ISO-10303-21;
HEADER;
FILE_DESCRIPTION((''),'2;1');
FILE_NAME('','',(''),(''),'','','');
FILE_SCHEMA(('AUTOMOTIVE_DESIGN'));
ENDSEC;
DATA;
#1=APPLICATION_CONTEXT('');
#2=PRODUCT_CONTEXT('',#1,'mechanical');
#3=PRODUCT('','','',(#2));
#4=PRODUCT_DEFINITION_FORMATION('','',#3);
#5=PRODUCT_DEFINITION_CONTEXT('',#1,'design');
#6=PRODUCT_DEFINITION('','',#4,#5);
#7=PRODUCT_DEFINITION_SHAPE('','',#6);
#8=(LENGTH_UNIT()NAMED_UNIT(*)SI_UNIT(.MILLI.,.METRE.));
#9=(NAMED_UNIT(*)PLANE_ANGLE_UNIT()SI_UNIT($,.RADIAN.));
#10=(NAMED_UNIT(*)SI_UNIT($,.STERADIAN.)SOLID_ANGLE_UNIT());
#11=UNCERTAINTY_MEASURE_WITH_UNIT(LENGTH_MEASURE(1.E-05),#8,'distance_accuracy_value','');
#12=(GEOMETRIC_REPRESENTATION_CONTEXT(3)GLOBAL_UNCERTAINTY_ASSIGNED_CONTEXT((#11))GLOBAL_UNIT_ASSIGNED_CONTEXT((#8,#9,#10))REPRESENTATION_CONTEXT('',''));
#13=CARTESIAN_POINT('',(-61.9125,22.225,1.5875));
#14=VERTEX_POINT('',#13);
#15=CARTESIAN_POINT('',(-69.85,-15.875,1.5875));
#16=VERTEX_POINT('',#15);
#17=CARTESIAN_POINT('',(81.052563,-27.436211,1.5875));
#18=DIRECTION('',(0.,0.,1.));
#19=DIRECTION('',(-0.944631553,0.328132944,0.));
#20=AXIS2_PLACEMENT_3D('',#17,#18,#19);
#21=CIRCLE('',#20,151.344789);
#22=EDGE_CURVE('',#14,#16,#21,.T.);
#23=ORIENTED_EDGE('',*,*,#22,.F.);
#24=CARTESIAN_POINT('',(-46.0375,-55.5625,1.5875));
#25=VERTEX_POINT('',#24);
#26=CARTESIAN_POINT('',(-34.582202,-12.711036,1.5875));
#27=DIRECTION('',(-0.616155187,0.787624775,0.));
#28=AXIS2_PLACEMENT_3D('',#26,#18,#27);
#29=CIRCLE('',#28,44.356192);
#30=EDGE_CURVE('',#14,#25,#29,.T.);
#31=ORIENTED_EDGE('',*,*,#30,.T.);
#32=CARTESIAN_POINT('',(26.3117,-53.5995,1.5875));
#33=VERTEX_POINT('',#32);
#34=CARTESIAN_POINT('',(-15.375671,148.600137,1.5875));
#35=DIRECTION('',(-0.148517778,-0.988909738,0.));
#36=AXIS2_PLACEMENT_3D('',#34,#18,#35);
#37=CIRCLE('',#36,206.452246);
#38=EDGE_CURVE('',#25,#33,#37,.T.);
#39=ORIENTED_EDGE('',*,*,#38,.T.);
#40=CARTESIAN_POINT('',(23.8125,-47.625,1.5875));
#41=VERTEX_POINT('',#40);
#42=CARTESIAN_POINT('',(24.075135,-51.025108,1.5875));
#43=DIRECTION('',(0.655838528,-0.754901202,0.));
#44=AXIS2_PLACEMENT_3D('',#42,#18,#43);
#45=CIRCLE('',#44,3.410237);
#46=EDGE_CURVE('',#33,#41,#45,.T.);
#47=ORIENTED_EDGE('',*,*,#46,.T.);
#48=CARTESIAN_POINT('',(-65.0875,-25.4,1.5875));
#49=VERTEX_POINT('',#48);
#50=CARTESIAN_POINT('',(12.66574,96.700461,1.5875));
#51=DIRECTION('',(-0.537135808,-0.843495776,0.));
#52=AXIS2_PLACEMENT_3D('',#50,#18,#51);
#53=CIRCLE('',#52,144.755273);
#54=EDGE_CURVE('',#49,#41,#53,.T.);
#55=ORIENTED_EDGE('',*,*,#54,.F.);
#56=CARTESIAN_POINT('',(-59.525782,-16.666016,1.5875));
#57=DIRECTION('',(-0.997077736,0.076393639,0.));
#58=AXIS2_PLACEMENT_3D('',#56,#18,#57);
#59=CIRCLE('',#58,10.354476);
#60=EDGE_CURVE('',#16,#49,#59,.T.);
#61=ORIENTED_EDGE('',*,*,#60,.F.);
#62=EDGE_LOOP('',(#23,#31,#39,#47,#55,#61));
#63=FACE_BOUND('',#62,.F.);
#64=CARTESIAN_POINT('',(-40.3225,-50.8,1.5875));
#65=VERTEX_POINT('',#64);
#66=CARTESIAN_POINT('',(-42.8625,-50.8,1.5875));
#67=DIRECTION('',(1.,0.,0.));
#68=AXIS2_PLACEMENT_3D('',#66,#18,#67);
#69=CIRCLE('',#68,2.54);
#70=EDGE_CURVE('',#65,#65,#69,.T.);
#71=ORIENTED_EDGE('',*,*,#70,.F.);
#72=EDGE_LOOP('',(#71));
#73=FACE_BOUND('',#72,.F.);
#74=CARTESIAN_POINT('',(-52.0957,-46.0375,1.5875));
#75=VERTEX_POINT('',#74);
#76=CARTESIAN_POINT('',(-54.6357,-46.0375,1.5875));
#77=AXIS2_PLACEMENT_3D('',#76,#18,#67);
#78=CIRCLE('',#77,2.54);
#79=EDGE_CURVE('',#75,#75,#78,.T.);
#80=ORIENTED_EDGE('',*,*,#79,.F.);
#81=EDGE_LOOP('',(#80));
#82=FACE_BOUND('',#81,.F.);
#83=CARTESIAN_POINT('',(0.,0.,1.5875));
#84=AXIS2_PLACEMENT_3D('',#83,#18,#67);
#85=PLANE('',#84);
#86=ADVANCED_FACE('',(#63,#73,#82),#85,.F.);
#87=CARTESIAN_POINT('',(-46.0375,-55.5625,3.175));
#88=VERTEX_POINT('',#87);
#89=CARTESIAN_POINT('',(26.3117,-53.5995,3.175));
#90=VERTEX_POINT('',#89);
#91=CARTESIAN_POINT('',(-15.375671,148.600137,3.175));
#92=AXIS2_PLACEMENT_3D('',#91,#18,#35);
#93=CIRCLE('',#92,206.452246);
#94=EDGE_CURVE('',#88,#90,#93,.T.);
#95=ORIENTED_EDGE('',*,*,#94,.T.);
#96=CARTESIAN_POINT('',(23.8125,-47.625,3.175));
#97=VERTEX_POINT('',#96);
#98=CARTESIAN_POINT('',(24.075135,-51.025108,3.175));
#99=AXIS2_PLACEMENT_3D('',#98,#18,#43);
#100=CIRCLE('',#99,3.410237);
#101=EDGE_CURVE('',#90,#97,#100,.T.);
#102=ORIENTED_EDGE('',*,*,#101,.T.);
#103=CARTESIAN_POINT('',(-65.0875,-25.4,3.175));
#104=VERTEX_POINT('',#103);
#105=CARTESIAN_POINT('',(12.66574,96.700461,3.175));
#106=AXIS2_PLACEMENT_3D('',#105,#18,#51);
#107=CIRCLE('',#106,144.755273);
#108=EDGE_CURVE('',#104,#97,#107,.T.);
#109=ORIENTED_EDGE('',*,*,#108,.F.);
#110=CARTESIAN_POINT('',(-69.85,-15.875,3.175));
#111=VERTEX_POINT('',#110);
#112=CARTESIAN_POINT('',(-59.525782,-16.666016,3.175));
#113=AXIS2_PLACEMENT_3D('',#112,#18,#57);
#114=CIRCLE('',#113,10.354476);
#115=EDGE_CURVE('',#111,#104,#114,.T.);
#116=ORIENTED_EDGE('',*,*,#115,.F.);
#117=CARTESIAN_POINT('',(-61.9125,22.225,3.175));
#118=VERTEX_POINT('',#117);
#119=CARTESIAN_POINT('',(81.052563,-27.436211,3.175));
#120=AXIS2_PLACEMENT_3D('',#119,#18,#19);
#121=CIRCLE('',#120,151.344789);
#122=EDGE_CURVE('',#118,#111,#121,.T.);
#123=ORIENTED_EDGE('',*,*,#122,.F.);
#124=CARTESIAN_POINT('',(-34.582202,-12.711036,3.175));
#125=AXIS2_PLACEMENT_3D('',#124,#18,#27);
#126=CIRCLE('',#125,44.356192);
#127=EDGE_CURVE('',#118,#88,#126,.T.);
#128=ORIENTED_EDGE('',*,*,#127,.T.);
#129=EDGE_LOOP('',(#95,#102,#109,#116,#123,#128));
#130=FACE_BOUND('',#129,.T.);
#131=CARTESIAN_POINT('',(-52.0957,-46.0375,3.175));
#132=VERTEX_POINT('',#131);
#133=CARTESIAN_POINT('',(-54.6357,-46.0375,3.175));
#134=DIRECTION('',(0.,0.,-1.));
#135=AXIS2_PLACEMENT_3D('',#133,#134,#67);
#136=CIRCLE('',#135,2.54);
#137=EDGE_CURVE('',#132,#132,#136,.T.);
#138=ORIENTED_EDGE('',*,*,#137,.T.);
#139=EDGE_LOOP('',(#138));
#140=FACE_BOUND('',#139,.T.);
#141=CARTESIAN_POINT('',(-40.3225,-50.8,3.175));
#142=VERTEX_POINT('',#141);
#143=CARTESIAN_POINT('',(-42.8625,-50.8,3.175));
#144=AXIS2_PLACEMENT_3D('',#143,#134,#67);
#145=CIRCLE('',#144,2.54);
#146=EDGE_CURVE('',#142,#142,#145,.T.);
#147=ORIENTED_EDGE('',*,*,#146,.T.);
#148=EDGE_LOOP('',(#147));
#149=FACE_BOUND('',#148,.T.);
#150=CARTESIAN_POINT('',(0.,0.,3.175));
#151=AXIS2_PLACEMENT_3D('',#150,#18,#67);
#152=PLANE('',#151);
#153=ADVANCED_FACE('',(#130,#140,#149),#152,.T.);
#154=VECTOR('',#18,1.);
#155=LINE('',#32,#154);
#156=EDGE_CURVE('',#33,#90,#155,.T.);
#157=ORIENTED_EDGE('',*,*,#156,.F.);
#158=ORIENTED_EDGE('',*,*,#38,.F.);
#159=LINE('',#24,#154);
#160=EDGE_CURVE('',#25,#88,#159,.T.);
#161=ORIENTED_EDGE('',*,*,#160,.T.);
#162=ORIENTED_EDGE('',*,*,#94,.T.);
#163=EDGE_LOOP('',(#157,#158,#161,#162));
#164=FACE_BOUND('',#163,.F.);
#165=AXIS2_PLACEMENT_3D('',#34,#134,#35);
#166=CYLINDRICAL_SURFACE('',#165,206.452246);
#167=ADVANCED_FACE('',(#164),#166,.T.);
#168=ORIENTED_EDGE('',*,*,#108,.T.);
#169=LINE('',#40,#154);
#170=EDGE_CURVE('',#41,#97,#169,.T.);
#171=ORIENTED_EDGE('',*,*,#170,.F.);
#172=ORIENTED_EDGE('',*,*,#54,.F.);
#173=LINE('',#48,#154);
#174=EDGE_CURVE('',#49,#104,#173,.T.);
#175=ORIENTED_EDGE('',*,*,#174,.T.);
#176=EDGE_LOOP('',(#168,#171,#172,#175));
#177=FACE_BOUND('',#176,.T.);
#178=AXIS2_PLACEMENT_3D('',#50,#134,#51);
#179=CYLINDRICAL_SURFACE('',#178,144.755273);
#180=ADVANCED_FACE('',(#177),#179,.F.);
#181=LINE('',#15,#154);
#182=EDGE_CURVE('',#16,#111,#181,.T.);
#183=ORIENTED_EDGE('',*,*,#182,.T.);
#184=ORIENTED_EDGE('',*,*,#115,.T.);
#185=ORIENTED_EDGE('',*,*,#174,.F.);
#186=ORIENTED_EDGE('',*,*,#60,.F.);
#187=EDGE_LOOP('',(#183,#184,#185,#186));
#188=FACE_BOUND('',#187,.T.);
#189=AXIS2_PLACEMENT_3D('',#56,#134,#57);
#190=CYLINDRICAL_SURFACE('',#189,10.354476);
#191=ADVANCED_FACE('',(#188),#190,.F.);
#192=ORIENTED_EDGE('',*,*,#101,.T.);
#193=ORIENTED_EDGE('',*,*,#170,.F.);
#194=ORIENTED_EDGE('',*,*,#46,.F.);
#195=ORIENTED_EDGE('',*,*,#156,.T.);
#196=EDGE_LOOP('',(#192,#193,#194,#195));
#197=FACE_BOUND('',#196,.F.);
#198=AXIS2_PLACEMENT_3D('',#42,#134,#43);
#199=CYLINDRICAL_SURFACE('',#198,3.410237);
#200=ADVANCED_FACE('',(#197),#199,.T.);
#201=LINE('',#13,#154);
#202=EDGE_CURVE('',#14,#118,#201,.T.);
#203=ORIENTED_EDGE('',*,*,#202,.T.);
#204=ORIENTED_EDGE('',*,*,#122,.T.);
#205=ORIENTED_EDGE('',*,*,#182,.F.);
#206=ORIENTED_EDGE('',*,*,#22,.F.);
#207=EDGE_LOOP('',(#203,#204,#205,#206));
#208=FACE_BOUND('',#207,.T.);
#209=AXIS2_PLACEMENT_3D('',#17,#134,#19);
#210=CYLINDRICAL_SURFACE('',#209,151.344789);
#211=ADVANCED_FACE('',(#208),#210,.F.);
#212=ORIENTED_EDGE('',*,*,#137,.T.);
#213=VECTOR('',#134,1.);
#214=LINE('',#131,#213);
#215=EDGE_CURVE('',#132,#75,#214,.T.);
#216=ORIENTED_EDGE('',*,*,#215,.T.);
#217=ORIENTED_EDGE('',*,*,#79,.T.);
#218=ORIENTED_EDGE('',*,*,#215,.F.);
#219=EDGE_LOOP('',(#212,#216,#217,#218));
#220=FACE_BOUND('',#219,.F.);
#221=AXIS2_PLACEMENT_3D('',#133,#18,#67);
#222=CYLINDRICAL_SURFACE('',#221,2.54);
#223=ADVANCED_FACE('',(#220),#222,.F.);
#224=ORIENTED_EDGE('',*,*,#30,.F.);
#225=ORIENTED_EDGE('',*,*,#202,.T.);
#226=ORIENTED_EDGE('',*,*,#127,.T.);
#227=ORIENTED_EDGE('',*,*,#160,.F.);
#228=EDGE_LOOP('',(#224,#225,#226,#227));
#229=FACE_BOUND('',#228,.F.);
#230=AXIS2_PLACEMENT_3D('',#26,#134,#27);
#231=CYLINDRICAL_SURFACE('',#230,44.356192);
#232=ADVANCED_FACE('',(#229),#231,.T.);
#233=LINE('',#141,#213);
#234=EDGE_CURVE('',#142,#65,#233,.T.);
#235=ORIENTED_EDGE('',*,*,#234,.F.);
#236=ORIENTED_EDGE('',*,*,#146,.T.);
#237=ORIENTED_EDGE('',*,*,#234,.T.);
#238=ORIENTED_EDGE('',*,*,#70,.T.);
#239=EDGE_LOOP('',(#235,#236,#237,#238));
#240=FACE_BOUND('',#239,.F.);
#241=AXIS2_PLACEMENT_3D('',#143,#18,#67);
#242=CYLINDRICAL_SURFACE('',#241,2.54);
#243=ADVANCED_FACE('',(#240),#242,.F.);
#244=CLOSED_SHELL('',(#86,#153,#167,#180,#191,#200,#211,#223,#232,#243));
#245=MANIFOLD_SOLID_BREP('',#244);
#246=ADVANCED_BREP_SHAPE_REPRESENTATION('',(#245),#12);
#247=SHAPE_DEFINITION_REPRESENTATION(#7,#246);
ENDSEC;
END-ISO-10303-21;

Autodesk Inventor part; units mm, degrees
ref_plane "YZ Plane" through (0, 0, 0) normal (1, 0, 0) x (0, 1, 0)
ref_plane "XZ Plane" through (0, 0, 0) normal (0, 1, 0) x (-1, 0, 0)
ref_plane "XY Plane" through (0, 0, 0) normal (0, 0, 1) x (1, 0, 0)
ref_plane "Work Plane4" through (0, 0, 1.5875) normal (0, 0, 1) x (1, 0, 0)
sketch "Sketch2" plane through (0, 0, 1.5875) normal (0, 0, 1) x (1, 0, 0)
  arc A0 (-65.0875, -25.4) -> (23.8125, -47.625) centre (12.6658, 96.7006) ccw
  arc A1 (-69.85, -15.875) -> (-65.0875, -25.4) centre (-59.5257, -16.666) ccw
  arc A2 (26.3117, -53.5995) -> (23.8125, -47.625) centre (24.0751, -51.0251) ccw
  arc A3 (-61.9125, 22.225) -> (-69.85, -15.875) centre (81.0518, -27.436) ccw
  arc A4 (-61.9125, 22.225) -> (-46.0375, -55.5625) centre (-34.5823, -12.711) ccw
  arc A5 (-46.0375, -55.5625) -> (26.3117, -53.5995) centre (-15.3756, 148.6013) ccw
  point P0 (0, 0)
extrude "Extrusion2" add sketch "Sketch2" along normal blind 1.5875
sketch "Sketch4" plane through (0, 0, 3.175) normal (0, 0, 1) x (1, 0, 0)
  circle A0 centre (-42.8625, -50.8) radius 2.54
  line L0 (-42.8625, -50.8) -> (-54.6357, -46.0375)
  circle A1 centre (-54.6357, -46.0375) radius 2.54
  point P0 (0, 0)
  dimension "d11" = 5.08
  dimension "d12" = 12.7
  dimension "d13" = 5.08
extrude "Extrusion3" cut sketch "Sketch4" against normal blind 1.5875
properties part number "Triball Holder"
